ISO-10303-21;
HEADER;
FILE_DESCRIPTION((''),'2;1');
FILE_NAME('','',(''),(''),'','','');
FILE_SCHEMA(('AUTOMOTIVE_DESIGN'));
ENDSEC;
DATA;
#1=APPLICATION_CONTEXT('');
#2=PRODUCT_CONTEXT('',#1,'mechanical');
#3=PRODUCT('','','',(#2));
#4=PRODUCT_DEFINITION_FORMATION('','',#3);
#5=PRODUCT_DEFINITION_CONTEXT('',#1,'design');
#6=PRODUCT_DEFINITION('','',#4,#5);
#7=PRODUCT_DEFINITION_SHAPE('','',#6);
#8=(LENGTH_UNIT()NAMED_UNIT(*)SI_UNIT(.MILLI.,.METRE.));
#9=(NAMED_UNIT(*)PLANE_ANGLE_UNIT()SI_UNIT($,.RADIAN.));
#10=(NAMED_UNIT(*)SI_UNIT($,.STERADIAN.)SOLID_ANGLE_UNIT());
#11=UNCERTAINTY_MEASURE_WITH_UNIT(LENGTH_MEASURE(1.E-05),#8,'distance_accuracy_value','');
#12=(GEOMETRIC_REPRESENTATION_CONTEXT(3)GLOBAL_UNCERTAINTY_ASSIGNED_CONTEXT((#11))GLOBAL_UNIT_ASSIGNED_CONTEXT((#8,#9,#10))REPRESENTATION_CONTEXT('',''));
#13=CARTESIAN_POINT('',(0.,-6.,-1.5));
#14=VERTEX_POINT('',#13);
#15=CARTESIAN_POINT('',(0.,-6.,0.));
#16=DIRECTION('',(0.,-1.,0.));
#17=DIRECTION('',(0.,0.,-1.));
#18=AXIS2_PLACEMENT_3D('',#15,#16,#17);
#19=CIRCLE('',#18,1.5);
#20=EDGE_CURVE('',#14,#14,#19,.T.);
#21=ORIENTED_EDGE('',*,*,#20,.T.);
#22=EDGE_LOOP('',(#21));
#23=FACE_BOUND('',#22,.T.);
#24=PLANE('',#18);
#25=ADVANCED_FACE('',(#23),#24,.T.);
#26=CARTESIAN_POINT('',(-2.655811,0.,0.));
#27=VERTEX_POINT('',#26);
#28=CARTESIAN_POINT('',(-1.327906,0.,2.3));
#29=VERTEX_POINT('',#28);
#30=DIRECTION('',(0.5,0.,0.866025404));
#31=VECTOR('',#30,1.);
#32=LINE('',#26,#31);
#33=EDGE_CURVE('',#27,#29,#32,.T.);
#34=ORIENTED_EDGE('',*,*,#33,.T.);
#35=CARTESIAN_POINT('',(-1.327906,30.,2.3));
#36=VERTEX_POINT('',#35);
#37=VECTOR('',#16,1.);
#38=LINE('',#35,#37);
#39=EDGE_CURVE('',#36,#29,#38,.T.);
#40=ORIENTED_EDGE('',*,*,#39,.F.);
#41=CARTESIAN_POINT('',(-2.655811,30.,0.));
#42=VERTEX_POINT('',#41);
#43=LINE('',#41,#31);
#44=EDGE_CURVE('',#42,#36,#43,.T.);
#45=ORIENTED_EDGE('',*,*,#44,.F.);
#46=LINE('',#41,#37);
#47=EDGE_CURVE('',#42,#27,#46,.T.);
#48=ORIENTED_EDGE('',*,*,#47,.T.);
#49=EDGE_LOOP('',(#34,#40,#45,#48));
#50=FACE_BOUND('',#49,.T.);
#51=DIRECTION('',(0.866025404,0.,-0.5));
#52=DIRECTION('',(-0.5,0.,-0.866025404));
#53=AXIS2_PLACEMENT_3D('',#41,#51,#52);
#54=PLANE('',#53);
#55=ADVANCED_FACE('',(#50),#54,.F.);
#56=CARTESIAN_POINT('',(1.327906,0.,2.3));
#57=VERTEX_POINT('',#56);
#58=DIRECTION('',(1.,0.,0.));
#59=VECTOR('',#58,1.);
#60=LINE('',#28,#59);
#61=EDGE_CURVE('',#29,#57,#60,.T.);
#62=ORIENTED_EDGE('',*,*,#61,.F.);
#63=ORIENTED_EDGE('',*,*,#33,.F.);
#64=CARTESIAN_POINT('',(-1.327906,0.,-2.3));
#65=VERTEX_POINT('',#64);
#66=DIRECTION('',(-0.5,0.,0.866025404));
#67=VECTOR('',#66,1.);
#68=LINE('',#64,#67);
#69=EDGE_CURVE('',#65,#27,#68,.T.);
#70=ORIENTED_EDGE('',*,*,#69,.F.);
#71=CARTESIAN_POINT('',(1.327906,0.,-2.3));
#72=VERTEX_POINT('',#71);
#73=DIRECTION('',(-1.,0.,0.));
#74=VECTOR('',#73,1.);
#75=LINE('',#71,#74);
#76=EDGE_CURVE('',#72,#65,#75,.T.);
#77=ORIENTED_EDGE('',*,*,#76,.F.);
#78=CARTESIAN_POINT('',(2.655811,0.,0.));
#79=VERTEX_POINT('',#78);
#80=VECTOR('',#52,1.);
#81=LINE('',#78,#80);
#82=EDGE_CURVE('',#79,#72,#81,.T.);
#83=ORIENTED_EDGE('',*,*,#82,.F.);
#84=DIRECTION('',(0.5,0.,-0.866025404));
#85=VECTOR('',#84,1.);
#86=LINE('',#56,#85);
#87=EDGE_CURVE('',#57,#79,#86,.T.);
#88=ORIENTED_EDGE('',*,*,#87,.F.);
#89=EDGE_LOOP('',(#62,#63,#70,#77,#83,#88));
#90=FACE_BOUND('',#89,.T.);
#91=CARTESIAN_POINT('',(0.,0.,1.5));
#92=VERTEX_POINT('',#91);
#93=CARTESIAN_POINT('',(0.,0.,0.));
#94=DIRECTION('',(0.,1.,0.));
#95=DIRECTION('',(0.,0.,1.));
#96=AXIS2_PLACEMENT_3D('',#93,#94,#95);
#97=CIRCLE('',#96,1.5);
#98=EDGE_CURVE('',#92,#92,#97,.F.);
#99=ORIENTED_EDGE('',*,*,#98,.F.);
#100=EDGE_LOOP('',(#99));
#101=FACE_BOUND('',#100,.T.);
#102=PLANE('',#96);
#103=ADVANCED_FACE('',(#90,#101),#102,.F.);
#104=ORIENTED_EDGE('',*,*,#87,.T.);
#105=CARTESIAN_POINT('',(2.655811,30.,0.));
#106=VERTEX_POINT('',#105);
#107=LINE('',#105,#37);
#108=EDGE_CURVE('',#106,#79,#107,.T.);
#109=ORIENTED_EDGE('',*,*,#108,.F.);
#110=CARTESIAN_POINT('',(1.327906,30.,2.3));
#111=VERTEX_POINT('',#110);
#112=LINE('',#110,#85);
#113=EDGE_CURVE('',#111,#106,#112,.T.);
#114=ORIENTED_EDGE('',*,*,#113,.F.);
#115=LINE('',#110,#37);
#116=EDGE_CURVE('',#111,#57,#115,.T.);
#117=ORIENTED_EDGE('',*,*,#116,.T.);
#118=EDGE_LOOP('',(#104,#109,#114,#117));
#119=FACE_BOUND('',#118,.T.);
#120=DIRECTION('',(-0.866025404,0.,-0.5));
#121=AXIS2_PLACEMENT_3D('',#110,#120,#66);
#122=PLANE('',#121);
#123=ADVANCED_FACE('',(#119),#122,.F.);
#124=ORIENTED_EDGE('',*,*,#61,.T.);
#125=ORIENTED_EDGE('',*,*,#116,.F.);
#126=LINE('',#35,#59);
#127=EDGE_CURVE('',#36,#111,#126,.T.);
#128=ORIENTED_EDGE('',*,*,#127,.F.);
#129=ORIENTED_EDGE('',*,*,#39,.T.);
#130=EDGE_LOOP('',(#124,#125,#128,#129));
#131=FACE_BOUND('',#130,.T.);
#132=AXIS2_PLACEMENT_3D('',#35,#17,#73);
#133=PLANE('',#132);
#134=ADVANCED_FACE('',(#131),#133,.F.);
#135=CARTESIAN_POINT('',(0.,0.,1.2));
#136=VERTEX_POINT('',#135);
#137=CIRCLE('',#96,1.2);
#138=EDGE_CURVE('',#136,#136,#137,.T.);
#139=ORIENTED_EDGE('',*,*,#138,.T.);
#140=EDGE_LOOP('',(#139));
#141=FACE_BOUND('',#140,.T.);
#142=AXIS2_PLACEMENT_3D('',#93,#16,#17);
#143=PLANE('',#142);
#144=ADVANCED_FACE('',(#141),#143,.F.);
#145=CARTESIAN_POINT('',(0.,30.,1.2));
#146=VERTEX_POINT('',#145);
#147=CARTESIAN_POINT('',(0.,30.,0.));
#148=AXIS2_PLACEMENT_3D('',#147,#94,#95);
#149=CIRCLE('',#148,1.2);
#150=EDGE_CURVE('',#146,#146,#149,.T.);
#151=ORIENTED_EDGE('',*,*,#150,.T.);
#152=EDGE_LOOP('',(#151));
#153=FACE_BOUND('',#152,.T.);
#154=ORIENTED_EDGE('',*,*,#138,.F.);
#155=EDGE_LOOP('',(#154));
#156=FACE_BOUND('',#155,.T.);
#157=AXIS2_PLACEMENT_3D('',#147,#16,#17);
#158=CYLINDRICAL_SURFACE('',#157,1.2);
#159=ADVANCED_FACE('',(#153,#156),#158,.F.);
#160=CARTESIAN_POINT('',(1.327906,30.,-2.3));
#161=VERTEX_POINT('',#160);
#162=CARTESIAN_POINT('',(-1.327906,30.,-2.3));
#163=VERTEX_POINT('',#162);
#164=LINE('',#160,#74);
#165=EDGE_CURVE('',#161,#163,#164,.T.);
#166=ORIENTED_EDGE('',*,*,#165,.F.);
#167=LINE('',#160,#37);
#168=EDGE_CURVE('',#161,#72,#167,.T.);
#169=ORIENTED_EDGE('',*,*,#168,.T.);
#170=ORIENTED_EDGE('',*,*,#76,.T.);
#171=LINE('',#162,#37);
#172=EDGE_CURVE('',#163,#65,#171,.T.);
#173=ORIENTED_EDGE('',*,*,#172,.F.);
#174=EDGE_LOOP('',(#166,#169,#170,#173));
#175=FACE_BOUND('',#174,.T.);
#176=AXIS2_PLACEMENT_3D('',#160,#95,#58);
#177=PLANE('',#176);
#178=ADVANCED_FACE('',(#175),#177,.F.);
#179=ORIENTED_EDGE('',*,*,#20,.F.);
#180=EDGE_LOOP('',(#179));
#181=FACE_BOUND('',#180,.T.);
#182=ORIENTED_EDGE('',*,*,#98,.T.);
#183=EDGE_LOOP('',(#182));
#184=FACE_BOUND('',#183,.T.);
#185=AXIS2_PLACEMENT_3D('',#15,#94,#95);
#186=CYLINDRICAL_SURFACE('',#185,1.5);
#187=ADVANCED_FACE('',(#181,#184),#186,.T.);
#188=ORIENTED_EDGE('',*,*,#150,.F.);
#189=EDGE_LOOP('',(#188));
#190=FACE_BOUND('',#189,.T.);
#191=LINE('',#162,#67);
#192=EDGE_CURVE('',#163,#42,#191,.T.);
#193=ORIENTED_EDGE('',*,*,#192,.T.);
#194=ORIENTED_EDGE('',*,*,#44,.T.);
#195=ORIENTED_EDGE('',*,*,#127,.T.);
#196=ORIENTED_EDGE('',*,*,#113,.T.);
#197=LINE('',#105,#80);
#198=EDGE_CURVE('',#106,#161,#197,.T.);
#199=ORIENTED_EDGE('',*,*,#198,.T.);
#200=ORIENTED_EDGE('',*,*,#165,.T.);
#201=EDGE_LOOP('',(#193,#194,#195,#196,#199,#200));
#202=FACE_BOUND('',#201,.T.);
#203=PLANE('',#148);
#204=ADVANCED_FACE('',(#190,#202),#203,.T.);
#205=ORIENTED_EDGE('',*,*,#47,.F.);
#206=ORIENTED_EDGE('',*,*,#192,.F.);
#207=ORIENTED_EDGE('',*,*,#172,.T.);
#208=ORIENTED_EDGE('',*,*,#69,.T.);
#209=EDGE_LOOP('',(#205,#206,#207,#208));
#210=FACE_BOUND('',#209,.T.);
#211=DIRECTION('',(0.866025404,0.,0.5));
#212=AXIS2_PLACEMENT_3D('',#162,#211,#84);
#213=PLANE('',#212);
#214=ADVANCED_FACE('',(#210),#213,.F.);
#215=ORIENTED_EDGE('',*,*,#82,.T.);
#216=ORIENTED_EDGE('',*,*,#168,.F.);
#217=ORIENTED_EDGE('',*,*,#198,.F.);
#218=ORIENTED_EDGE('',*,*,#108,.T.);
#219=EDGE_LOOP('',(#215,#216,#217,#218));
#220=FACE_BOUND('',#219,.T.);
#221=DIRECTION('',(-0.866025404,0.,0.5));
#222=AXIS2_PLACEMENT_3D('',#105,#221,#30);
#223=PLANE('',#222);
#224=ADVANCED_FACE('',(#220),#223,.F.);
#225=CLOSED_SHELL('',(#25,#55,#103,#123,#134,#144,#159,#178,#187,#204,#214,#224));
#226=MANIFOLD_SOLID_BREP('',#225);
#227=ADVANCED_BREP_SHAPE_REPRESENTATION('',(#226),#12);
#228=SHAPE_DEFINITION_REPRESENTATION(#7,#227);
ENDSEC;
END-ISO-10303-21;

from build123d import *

# Parameters (mm, degrees)
SKETCH1_R           = 1.2
BOSS_EXTRUDE1_DEPTH = 30
SKETCH3_R           = 1.5
BOSS_EXTRUDE2_DEPTH = 6


with BuildPart() as part:
    # Sketch1 → Boss-Extrude1 (new body)
    with BuildSketch(Plane(origin=(0, 0, 0), x_dir=(1, 0, 0), z_dir=(0, 1, 0))):
        Polygon((2.655811238, 0), (1.327905619, 2.3), (-1.327905619, 2.3), (-2.655811238, 0), (-1.327905619, -2.3), (1.327905619, -2.3), align=None)
        with Locations(Location((0, 0, 0), (0, 0, 270))):
            Circle(SKETCH1_R, mode=Mode.SUBTRACT)
    extrude(amount=BOSS_EXTRUDE1_DEPTH)

    # Sketch3 → Boss-Extrude2 (add)
    with BuildSketch(Plane(origin=(0, 0, 0), x_dir=(-1, 0, 0), z_dir=(0, -1, 0))):
        with Locations(Location((0, 0, 0), (0, 0, 270))):
            Circle(SKETCH3_R)
    extrude(amount=BOSS_EXTRUDE2_DEPTH)


solid = part.part
